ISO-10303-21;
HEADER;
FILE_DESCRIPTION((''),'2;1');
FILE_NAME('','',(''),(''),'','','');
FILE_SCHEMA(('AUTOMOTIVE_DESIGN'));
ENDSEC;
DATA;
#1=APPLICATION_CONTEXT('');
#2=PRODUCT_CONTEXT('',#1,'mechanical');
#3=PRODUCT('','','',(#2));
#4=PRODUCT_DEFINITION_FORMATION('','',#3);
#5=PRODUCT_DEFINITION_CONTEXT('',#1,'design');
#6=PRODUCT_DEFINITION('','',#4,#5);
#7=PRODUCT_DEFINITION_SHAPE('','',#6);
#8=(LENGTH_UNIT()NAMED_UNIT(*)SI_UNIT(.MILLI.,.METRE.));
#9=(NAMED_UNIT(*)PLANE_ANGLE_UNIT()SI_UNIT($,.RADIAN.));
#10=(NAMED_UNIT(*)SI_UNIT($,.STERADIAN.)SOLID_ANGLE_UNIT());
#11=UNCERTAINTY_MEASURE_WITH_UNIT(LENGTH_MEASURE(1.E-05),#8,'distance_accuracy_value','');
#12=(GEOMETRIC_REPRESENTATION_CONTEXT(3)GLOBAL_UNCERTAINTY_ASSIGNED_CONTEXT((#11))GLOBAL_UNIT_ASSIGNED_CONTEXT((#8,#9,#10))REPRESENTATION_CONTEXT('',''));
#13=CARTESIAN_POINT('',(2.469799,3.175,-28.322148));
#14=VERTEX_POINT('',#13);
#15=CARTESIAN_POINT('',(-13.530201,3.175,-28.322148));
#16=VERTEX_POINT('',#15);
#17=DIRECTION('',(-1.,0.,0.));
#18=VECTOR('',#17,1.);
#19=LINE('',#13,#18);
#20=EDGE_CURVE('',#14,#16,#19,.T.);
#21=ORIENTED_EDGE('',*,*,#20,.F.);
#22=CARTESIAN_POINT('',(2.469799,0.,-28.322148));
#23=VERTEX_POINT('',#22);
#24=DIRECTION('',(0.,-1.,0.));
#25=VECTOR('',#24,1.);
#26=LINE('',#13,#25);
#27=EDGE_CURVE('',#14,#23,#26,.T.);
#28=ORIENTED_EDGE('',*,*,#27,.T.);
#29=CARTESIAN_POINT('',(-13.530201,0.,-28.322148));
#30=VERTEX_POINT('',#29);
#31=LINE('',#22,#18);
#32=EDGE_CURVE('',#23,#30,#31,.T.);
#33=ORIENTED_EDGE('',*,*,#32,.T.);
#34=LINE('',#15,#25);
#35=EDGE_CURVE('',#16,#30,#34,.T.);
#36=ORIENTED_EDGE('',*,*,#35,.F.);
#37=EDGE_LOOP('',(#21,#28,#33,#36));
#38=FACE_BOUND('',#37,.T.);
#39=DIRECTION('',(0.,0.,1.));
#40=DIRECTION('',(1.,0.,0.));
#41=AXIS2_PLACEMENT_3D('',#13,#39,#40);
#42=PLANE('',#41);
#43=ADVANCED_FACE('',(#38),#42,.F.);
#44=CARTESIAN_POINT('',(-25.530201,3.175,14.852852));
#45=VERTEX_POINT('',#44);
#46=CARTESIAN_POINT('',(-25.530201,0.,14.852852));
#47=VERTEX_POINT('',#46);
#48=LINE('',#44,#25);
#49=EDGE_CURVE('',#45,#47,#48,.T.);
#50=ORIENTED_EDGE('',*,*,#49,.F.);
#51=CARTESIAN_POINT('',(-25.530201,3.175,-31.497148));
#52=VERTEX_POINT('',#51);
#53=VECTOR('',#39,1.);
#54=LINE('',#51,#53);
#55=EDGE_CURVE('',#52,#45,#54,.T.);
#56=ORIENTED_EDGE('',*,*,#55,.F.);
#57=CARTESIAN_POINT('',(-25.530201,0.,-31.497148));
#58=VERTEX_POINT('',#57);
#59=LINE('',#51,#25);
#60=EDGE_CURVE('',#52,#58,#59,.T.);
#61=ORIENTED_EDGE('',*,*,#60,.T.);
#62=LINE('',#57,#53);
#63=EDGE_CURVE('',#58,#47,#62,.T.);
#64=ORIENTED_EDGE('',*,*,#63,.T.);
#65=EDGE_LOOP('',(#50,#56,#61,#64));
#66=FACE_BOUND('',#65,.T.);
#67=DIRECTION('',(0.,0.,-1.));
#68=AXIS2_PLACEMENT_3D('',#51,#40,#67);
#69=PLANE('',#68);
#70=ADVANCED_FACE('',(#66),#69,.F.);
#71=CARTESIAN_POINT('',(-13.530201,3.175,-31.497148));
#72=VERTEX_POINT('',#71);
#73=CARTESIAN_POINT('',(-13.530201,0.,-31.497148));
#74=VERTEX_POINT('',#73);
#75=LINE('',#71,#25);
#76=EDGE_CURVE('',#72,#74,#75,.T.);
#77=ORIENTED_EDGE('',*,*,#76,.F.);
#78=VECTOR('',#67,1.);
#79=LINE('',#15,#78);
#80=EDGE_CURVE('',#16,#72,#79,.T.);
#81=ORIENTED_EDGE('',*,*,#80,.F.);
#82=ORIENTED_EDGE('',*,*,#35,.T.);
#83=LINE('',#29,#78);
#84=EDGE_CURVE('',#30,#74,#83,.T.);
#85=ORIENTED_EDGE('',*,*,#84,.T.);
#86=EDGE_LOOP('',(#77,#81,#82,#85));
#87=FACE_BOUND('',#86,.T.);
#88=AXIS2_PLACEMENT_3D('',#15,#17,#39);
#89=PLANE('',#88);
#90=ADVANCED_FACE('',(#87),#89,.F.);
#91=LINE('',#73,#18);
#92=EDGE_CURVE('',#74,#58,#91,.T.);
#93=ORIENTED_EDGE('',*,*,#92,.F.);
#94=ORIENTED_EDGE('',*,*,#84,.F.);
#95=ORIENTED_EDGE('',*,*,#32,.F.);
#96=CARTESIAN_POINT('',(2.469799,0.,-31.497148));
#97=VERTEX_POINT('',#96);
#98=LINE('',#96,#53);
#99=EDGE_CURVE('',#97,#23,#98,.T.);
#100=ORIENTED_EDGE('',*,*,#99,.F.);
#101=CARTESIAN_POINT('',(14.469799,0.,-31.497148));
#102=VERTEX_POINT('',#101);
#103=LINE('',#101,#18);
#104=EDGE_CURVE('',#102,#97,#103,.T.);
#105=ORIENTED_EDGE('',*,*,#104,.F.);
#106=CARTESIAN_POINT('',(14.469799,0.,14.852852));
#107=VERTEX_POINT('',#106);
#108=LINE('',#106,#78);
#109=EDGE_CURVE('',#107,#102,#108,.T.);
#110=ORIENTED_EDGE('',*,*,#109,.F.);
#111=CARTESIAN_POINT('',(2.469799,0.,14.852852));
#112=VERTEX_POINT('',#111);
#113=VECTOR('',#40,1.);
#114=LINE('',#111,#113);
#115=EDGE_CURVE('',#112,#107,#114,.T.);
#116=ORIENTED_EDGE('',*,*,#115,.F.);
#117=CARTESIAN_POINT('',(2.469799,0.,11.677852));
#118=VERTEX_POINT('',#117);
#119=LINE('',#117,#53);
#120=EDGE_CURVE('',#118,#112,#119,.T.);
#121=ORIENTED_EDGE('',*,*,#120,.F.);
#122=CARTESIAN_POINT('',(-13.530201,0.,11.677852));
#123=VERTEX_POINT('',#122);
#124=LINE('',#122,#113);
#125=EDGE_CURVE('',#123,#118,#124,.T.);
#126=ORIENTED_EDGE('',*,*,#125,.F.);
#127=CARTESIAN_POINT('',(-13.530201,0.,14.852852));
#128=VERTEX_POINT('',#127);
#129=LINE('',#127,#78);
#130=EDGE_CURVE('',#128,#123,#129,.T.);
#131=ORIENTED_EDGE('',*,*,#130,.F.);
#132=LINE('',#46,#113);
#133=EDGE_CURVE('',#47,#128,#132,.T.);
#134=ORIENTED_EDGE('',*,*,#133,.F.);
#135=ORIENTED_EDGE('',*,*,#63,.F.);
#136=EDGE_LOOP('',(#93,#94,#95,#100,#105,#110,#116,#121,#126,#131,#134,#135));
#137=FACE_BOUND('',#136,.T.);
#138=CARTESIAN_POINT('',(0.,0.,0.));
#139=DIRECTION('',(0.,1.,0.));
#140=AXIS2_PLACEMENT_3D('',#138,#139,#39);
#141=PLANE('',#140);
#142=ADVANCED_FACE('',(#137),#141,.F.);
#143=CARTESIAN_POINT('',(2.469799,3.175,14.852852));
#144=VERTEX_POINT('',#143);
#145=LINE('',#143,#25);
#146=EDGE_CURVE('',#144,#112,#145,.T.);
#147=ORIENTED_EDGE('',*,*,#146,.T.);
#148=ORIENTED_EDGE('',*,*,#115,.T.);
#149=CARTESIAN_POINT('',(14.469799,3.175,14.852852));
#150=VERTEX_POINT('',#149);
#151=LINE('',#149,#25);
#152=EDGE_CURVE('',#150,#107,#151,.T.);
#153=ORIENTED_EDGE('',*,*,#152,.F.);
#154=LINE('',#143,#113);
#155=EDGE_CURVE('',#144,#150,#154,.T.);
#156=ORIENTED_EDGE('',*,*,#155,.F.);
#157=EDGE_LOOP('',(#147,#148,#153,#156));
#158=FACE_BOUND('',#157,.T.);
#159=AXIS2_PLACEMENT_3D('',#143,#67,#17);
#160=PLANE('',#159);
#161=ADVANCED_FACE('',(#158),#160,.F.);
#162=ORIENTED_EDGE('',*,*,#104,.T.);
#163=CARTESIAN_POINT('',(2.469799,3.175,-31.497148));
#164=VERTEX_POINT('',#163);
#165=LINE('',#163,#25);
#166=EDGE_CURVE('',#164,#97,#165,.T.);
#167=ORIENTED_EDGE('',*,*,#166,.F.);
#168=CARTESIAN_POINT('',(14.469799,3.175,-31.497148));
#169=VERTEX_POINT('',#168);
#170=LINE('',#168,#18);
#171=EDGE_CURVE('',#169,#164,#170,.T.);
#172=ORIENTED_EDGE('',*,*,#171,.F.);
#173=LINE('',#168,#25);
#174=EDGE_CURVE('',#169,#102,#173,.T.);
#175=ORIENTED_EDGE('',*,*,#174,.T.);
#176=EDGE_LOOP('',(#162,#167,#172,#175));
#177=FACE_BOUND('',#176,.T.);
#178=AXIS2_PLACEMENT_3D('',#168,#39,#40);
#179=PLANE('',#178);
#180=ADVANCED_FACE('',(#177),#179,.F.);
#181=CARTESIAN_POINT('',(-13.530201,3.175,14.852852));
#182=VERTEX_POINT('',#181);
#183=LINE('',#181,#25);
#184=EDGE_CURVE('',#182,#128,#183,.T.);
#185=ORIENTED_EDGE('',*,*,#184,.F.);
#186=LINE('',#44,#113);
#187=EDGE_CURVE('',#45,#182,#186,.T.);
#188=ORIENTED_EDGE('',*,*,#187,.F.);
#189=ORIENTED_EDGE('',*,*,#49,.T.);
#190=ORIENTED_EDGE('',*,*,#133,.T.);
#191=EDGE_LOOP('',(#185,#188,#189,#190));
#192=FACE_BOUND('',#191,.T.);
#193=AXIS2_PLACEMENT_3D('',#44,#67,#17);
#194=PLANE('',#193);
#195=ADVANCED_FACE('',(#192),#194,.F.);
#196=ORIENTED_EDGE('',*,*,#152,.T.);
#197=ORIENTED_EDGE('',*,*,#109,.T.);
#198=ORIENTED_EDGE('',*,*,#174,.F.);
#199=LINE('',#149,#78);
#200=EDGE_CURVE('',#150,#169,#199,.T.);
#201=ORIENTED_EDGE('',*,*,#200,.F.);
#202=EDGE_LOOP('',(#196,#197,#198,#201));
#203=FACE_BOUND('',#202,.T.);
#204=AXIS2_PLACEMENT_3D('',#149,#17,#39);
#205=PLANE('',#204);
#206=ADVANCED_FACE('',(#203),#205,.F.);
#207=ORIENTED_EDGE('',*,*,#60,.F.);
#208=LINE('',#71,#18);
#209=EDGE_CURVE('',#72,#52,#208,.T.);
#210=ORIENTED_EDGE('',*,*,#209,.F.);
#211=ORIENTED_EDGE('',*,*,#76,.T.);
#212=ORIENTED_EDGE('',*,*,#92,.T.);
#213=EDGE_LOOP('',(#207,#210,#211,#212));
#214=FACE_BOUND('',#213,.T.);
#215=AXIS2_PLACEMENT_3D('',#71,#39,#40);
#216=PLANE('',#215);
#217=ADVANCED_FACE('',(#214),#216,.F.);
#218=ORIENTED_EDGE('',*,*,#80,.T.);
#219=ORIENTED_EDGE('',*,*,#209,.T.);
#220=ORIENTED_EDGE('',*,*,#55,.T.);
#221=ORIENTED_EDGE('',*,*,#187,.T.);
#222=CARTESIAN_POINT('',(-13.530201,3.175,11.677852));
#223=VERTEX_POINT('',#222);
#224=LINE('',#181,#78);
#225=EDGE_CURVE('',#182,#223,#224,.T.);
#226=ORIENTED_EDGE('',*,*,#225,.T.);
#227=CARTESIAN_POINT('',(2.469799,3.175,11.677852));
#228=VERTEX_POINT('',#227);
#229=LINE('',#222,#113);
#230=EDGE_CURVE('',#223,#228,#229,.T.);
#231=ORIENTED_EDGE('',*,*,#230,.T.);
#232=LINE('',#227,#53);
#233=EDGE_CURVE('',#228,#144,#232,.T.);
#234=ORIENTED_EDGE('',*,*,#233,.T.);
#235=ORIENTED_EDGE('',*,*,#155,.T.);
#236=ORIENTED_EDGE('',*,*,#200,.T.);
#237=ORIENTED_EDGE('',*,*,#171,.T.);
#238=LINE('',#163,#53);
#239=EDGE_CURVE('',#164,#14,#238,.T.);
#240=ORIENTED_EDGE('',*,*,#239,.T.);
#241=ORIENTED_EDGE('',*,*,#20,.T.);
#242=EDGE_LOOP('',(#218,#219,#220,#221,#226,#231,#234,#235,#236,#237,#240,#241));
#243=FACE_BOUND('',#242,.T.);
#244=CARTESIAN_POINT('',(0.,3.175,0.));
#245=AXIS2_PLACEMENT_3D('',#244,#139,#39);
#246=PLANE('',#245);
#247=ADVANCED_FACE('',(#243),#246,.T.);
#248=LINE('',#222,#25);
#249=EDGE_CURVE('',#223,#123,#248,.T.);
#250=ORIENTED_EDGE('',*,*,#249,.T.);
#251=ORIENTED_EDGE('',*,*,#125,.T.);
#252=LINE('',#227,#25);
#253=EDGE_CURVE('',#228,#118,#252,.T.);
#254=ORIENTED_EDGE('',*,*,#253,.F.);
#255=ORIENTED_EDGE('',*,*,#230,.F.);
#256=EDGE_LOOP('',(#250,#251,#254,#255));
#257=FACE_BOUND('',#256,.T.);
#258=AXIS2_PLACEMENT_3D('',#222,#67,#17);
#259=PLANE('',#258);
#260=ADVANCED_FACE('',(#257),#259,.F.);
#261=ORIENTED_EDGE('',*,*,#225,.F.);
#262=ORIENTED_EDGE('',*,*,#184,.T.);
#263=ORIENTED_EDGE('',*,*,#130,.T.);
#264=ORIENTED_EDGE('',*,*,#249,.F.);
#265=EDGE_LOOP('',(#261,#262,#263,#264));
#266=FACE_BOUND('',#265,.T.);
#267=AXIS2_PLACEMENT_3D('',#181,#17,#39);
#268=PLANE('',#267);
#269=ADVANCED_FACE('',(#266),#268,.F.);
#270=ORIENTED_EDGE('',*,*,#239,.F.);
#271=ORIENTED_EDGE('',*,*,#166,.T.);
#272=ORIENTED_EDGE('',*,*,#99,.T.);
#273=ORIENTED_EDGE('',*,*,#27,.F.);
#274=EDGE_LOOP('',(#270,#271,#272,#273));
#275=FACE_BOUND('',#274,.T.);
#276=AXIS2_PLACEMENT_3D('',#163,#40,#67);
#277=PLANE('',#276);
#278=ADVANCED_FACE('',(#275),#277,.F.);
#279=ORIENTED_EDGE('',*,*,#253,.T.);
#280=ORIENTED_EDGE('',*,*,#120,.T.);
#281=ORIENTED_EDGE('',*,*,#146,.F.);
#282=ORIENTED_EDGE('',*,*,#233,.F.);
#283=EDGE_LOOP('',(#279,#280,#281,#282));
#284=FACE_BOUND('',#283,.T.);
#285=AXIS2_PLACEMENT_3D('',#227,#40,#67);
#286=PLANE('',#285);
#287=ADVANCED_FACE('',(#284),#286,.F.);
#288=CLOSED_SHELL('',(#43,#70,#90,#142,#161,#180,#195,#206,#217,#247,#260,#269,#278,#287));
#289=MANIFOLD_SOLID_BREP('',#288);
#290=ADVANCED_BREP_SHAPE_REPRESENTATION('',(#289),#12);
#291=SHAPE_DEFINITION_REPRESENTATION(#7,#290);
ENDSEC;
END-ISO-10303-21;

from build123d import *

# Parameters (mm, degrees)
BOSS_EXTRUDE1_DEPTH = 3.175


with BuildPart() as part:
    # Sketch1 → Boss-Extrude1 (new body)
    with BuildSketch(Plane(origin=(0, 0, 0), x_dir=(1, 0, 0), z_dir=(0, 1, 0))):
        Polygon((-25.530201342, -14.852852349), (-13.530201342, -14.852852349), (-13.530201342, -11.677852349), (2.469798658, -11.677852349), (2.469798658, -14.852852349), (14.469798658, -14.852852349), (14.469798658, 31.497147651), (2.469798658, 31.497147651), (2.469798658, 28.322147651), (-13.530201342, 28.322147651), (-13.530201342, 31.497147651), (-25.530201342, 31.497147651), align=None)
    extrude(amount=BOSS_EXTRUDE1_DEPTH)


solid = part.part
